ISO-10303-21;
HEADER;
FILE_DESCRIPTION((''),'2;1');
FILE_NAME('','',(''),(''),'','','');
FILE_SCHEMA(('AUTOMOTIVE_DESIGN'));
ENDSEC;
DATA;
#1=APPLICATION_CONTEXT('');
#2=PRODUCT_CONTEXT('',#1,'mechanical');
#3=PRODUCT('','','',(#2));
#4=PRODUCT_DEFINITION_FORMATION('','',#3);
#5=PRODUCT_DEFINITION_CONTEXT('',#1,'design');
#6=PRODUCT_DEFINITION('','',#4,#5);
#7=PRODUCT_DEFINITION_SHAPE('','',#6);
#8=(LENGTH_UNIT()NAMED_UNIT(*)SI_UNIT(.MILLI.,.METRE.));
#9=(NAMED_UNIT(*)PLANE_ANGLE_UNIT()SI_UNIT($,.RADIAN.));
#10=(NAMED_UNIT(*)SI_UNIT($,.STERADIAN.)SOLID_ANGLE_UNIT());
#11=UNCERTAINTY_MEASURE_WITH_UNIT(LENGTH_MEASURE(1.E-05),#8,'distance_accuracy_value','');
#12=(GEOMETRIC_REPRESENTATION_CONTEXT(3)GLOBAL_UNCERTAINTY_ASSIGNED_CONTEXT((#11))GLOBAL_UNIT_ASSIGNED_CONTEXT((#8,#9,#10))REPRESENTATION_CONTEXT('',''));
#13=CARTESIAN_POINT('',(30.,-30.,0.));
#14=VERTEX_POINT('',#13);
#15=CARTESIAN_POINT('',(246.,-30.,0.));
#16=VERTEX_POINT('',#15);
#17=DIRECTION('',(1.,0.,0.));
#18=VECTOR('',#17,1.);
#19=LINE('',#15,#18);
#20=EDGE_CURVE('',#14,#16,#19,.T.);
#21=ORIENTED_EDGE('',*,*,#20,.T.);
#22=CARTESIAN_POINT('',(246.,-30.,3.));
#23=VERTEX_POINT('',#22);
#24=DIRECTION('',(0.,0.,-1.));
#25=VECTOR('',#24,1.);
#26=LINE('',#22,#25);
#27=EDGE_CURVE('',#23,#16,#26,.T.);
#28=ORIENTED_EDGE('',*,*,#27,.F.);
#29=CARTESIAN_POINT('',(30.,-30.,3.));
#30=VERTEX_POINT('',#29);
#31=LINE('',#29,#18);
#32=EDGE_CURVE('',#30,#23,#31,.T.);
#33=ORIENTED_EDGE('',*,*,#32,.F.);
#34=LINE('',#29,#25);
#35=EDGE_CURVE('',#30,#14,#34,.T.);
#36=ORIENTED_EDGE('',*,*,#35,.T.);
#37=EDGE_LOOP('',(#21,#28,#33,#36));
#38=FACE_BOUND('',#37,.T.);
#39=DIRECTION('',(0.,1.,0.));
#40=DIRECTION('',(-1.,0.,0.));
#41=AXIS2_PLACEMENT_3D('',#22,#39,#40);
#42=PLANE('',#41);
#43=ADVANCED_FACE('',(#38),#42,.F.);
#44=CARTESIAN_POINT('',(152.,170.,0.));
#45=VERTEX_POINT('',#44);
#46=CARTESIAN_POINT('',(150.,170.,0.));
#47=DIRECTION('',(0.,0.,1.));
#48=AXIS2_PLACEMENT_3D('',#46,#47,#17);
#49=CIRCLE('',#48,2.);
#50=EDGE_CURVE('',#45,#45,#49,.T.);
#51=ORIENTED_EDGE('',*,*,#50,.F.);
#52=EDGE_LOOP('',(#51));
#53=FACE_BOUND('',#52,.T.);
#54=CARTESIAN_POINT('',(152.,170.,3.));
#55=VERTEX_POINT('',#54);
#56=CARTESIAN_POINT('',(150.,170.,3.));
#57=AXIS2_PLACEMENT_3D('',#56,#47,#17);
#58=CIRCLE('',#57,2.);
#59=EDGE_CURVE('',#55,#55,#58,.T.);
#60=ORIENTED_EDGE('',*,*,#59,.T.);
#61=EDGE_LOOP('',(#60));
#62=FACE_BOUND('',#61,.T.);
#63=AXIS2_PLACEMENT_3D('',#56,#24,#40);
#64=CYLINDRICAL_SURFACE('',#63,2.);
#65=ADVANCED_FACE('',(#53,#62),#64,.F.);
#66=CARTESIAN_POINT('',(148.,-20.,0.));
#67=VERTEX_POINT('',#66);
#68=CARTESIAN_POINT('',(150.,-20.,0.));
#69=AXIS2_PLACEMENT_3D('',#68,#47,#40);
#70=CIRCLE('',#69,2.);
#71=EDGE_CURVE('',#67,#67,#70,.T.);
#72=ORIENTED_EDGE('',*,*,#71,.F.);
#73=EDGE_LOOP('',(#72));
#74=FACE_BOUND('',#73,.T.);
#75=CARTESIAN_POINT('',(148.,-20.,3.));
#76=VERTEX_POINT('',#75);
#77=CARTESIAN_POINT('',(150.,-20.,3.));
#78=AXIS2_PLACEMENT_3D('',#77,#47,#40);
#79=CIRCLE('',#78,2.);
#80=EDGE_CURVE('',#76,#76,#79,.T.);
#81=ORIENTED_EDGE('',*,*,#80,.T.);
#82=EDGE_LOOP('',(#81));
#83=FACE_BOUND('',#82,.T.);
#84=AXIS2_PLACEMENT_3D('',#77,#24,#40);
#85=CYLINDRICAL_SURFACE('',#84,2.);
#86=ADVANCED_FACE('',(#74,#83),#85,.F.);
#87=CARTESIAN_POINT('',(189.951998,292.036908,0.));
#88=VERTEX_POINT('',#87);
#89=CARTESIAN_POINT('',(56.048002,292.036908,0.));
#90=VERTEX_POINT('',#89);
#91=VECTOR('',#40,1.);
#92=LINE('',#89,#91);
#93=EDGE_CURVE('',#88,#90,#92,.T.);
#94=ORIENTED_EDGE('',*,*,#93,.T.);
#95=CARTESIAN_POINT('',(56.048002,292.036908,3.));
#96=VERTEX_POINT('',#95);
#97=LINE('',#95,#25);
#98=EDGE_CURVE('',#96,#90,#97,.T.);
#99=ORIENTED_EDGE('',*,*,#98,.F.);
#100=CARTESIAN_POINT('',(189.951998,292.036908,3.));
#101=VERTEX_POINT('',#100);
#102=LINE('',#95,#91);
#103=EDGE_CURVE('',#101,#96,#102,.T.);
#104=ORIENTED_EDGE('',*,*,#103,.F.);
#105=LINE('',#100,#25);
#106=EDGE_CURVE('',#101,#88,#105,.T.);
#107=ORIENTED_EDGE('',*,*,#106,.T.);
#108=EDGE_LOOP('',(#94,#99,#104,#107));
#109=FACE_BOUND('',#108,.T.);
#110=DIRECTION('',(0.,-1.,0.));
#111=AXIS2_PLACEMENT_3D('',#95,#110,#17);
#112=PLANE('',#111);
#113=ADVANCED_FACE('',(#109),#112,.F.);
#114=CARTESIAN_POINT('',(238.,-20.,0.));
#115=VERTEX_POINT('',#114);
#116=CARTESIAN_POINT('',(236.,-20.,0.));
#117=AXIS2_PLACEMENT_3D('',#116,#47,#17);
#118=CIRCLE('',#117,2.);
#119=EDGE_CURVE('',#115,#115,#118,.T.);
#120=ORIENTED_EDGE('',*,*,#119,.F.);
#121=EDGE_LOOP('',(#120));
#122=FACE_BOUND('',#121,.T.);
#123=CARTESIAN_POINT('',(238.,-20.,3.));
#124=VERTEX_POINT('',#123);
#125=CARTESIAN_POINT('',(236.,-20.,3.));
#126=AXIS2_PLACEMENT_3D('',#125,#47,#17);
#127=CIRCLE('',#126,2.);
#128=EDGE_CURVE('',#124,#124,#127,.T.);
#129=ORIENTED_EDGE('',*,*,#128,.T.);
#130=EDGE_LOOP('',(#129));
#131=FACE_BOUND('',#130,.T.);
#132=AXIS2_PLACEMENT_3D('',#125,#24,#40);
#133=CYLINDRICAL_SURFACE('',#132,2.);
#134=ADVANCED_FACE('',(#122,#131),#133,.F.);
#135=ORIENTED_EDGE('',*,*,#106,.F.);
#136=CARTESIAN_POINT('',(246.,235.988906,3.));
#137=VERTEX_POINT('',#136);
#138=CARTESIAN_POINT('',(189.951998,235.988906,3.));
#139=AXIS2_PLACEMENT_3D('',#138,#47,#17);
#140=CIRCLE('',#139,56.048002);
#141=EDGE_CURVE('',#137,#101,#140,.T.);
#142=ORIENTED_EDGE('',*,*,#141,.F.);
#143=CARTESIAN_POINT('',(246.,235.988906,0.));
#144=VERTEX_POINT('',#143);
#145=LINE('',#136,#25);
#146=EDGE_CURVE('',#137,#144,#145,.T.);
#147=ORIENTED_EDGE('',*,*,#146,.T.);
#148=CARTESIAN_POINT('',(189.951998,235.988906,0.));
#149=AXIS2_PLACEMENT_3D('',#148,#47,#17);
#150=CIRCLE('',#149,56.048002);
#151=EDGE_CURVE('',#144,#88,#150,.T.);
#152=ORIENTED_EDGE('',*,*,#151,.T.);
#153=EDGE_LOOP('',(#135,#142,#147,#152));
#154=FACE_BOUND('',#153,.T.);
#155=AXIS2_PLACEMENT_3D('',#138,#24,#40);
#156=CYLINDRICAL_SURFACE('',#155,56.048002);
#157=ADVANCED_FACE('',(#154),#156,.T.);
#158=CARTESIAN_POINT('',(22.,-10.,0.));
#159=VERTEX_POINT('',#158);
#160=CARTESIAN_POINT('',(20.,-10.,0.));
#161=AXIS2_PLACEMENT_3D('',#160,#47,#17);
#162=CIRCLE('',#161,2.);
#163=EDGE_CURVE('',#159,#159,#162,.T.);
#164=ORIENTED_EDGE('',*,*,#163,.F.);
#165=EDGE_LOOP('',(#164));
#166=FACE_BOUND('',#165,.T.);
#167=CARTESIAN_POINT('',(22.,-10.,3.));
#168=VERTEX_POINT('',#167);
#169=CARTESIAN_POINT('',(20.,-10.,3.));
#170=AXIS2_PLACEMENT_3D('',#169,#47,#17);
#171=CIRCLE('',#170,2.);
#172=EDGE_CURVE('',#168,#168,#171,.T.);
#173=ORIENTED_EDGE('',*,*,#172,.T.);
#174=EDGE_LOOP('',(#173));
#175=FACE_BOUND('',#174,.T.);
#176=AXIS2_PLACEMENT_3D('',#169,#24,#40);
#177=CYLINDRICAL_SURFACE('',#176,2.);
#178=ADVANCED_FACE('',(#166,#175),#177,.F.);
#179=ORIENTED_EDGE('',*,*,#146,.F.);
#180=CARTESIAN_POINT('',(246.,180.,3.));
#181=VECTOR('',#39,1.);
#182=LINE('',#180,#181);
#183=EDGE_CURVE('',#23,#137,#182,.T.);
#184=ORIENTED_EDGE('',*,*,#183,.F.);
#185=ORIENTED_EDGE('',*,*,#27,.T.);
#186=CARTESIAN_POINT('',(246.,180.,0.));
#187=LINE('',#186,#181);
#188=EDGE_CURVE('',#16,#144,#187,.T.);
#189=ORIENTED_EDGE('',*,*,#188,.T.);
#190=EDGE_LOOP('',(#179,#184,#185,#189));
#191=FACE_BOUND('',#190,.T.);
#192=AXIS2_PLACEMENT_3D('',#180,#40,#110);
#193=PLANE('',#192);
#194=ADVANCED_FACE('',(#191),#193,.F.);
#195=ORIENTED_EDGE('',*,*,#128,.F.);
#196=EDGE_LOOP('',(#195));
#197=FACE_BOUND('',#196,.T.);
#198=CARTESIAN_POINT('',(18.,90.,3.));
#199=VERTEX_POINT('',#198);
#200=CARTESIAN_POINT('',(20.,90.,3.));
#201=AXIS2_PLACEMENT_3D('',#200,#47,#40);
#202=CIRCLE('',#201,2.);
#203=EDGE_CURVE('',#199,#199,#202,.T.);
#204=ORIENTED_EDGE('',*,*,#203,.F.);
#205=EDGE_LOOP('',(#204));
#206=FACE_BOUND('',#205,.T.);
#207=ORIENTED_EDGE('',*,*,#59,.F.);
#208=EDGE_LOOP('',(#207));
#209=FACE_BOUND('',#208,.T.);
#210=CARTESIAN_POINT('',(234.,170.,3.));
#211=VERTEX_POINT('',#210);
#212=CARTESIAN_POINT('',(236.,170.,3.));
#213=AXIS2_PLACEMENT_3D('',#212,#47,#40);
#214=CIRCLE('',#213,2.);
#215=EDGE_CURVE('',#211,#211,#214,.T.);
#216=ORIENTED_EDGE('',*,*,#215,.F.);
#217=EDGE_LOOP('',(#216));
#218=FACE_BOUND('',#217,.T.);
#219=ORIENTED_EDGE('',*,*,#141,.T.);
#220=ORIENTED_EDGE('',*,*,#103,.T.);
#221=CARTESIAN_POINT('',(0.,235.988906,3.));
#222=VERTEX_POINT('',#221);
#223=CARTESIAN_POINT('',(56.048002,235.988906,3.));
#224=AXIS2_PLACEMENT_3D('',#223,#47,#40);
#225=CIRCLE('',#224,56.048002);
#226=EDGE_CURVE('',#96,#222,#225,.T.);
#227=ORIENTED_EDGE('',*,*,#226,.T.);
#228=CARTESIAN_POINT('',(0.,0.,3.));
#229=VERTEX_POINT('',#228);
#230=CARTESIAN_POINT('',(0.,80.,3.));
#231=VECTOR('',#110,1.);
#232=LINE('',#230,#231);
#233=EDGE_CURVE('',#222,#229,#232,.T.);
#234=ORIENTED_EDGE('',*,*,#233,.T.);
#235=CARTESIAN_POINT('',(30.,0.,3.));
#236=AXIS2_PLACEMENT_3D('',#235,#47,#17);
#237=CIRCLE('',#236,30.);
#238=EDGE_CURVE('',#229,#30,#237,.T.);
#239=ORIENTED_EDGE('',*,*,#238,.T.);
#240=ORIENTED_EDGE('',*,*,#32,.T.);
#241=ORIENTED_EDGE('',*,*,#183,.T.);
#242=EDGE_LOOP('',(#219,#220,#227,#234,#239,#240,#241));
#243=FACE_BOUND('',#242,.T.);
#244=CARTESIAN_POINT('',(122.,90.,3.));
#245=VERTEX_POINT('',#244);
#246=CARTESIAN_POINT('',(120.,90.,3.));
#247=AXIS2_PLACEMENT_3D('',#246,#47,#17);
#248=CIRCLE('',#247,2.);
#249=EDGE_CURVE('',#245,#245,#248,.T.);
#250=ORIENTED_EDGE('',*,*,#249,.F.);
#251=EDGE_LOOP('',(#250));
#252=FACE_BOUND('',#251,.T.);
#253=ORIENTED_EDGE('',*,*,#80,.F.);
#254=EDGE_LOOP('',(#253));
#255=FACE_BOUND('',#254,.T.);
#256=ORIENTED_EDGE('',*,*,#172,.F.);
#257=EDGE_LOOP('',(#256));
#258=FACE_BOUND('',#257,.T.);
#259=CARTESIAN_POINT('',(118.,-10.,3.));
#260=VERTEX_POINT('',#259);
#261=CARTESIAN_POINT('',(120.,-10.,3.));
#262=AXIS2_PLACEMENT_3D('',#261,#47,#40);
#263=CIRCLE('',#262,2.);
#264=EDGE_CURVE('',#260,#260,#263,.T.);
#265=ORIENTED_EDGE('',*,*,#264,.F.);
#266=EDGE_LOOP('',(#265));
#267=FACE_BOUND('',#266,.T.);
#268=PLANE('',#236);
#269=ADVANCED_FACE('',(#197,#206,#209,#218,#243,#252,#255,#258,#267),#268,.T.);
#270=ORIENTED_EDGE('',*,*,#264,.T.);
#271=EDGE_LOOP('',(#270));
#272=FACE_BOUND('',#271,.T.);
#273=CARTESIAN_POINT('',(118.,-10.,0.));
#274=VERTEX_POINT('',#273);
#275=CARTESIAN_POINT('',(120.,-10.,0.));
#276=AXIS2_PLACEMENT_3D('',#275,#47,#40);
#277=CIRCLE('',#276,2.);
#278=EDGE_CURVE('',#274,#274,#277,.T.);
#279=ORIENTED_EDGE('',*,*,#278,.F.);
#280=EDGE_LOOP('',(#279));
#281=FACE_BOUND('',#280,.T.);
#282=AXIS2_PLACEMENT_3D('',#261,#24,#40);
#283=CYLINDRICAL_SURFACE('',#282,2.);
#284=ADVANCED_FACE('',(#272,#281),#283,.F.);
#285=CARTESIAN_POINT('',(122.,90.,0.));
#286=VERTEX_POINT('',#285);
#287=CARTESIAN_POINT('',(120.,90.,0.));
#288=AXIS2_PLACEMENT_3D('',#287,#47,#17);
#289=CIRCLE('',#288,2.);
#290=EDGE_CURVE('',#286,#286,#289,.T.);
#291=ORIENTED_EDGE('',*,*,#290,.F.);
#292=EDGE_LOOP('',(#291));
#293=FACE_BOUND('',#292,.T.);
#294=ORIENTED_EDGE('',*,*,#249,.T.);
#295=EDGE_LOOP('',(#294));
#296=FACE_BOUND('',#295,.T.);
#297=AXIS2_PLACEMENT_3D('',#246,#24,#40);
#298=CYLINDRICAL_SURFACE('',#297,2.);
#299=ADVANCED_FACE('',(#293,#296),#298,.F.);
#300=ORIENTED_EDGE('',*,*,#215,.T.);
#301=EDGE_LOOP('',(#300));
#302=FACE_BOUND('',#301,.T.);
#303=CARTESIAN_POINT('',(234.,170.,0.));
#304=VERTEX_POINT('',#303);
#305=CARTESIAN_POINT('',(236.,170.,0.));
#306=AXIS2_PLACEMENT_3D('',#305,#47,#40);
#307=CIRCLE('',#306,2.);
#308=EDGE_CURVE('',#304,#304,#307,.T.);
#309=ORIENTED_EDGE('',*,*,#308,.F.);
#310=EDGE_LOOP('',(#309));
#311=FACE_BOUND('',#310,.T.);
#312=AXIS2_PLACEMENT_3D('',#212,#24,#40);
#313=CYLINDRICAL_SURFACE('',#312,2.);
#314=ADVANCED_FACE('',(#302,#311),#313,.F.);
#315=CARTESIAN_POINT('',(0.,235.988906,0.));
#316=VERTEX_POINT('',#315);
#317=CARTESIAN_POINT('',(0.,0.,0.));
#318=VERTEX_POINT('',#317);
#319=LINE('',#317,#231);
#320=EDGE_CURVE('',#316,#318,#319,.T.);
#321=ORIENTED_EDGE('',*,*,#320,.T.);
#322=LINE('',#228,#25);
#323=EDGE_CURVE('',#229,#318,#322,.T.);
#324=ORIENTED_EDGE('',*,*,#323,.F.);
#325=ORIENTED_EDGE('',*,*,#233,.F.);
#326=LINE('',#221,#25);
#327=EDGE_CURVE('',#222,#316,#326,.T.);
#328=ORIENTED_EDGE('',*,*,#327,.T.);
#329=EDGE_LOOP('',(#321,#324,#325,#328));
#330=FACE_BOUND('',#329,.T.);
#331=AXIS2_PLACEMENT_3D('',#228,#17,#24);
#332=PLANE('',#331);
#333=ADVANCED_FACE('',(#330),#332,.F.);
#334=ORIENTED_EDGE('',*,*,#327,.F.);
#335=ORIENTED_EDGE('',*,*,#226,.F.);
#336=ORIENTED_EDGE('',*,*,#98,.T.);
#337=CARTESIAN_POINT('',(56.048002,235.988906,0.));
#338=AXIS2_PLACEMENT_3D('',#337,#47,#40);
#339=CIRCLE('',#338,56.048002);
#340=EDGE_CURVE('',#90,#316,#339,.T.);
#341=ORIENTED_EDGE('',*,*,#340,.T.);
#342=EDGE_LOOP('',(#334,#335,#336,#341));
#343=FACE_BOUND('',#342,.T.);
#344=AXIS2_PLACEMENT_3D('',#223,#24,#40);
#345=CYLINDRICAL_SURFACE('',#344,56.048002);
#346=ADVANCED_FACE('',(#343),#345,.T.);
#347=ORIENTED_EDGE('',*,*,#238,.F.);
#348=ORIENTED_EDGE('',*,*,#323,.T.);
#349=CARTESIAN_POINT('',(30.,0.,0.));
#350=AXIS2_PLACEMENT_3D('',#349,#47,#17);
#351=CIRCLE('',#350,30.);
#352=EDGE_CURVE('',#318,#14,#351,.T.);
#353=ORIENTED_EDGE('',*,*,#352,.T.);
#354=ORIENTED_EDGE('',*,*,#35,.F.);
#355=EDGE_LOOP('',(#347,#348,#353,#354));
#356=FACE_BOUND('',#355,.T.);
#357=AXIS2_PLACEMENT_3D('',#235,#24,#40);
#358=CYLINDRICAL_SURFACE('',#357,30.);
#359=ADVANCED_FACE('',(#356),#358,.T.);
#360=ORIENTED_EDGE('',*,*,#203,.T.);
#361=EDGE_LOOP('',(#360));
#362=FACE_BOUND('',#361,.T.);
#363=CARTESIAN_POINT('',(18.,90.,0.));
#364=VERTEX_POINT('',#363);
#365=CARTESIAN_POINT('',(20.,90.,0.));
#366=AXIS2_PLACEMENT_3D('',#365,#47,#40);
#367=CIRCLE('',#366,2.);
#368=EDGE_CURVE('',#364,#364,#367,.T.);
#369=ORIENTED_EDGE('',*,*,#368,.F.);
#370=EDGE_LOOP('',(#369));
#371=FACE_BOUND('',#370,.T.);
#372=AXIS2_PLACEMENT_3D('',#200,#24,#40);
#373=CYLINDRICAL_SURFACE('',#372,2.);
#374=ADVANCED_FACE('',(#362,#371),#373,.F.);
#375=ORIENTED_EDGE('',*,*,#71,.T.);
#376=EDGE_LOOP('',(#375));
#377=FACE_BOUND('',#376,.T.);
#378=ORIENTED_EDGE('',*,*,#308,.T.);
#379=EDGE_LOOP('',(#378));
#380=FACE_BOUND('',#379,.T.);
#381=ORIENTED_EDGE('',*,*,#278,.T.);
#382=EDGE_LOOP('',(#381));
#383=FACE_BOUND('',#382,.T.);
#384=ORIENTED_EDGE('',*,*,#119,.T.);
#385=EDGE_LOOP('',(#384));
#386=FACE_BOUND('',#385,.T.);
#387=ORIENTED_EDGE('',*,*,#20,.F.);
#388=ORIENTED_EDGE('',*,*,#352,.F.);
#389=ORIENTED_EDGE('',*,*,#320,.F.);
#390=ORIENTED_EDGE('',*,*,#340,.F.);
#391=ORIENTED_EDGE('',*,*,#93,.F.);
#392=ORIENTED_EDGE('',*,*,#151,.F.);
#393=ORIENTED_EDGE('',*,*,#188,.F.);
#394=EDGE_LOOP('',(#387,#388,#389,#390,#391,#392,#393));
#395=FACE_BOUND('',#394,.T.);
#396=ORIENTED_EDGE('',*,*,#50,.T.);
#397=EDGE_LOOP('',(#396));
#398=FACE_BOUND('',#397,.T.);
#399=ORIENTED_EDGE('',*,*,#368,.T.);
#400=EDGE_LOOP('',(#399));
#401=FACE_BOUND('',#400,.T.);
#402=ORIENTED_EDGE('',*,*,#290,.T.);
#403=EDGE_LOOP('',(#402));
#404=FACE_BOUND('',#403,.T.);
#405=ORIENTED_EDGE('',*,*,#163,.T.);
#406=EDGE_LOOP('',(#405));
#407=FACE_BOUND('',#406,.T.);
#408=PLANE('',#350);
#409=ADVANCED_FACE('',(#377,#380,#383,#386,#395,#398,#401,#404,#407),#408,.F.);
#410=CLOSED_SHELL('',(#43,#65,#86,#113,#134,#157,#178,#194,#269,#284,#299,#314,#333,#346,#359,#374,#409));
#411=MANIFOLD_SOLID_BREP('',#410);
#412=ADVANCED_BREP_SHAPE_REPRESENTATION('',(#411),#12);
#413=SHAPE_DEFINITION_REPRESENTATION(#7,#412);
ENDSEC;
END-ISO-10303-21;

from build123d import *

# Parameters (mm, degrees)
CROQUIS2_R              = 2
SALIENTE_EXTRUIR2_DEPTH = 3


with BuildPart() as part:
    # Croquis2 → Saliente-Extruir2 (new body)
    with BuildSketch(Plane.XY):
        with BuildLine():
            Line((0, 0), (0, 80))
            Line((0, 80), (0, 235.988905846))
            ThreePointArc((0, 235.988905846), (16.416079704, 275.620828109), (56.048001966, 292.036907812))
            Line((56.048001966, 292.036907812), (189.951998034, 292.036907812))
            ThreePointArc((189.951998034, 292.036907812), (229.583920296, 275.620828109), (246, 235.988905846))
            Line((246, 235.988905846), (246, 180))
            Line((246, 180), (246, -30))
            Line((246, -30), (140, -30))
            Line((140, -30), (110, -30))
            Line((110, -30), (30, -30))
            ThreePointArc((30, -30), (8.786796564, -21.213203436), (0, 0))
        make_face()
        with Locations((20, -10)):
            Circle(CROQUIS2_R, mode=Mode.SUBTRACT)
        with Locations(Location((120, -10, 0), (0, 0, 180))):
            Circle(CROQUIS2_R, mode=Mode.SUBTRACT)
        with Locations((120, 90)):
            Circle(CROQUIS2_R, mode=Mode.SUBTRACT)
        with Locations(Location((20, 90, 0), (0, 0, 180))):
            Circle(CROQUIS2_R, mode=Mode.SUBTRACT)
        with Locations((150, 170)):
            Circle(CROQUIS2_R, mode=Mode.SUBTRACT)
        with Locations(Location((236, 170, 0), (0, 0, 180))):
            Circle(CROQUIS2_R, mode=Mode.SUBTRACT)
        with Locations((236, -20)):
            Circle(CROQUIS2_R, mode=Mode.SUBTRACT)
        with Locations(Location((150, -20, 0), (0, 0, 180))):
            Circle(CROQUIS2_R, mode=Mode.SUBTRACT)
    extrude(amount=SALIENTE_EXTRUIR2_DEPTH)


solid = part.part
